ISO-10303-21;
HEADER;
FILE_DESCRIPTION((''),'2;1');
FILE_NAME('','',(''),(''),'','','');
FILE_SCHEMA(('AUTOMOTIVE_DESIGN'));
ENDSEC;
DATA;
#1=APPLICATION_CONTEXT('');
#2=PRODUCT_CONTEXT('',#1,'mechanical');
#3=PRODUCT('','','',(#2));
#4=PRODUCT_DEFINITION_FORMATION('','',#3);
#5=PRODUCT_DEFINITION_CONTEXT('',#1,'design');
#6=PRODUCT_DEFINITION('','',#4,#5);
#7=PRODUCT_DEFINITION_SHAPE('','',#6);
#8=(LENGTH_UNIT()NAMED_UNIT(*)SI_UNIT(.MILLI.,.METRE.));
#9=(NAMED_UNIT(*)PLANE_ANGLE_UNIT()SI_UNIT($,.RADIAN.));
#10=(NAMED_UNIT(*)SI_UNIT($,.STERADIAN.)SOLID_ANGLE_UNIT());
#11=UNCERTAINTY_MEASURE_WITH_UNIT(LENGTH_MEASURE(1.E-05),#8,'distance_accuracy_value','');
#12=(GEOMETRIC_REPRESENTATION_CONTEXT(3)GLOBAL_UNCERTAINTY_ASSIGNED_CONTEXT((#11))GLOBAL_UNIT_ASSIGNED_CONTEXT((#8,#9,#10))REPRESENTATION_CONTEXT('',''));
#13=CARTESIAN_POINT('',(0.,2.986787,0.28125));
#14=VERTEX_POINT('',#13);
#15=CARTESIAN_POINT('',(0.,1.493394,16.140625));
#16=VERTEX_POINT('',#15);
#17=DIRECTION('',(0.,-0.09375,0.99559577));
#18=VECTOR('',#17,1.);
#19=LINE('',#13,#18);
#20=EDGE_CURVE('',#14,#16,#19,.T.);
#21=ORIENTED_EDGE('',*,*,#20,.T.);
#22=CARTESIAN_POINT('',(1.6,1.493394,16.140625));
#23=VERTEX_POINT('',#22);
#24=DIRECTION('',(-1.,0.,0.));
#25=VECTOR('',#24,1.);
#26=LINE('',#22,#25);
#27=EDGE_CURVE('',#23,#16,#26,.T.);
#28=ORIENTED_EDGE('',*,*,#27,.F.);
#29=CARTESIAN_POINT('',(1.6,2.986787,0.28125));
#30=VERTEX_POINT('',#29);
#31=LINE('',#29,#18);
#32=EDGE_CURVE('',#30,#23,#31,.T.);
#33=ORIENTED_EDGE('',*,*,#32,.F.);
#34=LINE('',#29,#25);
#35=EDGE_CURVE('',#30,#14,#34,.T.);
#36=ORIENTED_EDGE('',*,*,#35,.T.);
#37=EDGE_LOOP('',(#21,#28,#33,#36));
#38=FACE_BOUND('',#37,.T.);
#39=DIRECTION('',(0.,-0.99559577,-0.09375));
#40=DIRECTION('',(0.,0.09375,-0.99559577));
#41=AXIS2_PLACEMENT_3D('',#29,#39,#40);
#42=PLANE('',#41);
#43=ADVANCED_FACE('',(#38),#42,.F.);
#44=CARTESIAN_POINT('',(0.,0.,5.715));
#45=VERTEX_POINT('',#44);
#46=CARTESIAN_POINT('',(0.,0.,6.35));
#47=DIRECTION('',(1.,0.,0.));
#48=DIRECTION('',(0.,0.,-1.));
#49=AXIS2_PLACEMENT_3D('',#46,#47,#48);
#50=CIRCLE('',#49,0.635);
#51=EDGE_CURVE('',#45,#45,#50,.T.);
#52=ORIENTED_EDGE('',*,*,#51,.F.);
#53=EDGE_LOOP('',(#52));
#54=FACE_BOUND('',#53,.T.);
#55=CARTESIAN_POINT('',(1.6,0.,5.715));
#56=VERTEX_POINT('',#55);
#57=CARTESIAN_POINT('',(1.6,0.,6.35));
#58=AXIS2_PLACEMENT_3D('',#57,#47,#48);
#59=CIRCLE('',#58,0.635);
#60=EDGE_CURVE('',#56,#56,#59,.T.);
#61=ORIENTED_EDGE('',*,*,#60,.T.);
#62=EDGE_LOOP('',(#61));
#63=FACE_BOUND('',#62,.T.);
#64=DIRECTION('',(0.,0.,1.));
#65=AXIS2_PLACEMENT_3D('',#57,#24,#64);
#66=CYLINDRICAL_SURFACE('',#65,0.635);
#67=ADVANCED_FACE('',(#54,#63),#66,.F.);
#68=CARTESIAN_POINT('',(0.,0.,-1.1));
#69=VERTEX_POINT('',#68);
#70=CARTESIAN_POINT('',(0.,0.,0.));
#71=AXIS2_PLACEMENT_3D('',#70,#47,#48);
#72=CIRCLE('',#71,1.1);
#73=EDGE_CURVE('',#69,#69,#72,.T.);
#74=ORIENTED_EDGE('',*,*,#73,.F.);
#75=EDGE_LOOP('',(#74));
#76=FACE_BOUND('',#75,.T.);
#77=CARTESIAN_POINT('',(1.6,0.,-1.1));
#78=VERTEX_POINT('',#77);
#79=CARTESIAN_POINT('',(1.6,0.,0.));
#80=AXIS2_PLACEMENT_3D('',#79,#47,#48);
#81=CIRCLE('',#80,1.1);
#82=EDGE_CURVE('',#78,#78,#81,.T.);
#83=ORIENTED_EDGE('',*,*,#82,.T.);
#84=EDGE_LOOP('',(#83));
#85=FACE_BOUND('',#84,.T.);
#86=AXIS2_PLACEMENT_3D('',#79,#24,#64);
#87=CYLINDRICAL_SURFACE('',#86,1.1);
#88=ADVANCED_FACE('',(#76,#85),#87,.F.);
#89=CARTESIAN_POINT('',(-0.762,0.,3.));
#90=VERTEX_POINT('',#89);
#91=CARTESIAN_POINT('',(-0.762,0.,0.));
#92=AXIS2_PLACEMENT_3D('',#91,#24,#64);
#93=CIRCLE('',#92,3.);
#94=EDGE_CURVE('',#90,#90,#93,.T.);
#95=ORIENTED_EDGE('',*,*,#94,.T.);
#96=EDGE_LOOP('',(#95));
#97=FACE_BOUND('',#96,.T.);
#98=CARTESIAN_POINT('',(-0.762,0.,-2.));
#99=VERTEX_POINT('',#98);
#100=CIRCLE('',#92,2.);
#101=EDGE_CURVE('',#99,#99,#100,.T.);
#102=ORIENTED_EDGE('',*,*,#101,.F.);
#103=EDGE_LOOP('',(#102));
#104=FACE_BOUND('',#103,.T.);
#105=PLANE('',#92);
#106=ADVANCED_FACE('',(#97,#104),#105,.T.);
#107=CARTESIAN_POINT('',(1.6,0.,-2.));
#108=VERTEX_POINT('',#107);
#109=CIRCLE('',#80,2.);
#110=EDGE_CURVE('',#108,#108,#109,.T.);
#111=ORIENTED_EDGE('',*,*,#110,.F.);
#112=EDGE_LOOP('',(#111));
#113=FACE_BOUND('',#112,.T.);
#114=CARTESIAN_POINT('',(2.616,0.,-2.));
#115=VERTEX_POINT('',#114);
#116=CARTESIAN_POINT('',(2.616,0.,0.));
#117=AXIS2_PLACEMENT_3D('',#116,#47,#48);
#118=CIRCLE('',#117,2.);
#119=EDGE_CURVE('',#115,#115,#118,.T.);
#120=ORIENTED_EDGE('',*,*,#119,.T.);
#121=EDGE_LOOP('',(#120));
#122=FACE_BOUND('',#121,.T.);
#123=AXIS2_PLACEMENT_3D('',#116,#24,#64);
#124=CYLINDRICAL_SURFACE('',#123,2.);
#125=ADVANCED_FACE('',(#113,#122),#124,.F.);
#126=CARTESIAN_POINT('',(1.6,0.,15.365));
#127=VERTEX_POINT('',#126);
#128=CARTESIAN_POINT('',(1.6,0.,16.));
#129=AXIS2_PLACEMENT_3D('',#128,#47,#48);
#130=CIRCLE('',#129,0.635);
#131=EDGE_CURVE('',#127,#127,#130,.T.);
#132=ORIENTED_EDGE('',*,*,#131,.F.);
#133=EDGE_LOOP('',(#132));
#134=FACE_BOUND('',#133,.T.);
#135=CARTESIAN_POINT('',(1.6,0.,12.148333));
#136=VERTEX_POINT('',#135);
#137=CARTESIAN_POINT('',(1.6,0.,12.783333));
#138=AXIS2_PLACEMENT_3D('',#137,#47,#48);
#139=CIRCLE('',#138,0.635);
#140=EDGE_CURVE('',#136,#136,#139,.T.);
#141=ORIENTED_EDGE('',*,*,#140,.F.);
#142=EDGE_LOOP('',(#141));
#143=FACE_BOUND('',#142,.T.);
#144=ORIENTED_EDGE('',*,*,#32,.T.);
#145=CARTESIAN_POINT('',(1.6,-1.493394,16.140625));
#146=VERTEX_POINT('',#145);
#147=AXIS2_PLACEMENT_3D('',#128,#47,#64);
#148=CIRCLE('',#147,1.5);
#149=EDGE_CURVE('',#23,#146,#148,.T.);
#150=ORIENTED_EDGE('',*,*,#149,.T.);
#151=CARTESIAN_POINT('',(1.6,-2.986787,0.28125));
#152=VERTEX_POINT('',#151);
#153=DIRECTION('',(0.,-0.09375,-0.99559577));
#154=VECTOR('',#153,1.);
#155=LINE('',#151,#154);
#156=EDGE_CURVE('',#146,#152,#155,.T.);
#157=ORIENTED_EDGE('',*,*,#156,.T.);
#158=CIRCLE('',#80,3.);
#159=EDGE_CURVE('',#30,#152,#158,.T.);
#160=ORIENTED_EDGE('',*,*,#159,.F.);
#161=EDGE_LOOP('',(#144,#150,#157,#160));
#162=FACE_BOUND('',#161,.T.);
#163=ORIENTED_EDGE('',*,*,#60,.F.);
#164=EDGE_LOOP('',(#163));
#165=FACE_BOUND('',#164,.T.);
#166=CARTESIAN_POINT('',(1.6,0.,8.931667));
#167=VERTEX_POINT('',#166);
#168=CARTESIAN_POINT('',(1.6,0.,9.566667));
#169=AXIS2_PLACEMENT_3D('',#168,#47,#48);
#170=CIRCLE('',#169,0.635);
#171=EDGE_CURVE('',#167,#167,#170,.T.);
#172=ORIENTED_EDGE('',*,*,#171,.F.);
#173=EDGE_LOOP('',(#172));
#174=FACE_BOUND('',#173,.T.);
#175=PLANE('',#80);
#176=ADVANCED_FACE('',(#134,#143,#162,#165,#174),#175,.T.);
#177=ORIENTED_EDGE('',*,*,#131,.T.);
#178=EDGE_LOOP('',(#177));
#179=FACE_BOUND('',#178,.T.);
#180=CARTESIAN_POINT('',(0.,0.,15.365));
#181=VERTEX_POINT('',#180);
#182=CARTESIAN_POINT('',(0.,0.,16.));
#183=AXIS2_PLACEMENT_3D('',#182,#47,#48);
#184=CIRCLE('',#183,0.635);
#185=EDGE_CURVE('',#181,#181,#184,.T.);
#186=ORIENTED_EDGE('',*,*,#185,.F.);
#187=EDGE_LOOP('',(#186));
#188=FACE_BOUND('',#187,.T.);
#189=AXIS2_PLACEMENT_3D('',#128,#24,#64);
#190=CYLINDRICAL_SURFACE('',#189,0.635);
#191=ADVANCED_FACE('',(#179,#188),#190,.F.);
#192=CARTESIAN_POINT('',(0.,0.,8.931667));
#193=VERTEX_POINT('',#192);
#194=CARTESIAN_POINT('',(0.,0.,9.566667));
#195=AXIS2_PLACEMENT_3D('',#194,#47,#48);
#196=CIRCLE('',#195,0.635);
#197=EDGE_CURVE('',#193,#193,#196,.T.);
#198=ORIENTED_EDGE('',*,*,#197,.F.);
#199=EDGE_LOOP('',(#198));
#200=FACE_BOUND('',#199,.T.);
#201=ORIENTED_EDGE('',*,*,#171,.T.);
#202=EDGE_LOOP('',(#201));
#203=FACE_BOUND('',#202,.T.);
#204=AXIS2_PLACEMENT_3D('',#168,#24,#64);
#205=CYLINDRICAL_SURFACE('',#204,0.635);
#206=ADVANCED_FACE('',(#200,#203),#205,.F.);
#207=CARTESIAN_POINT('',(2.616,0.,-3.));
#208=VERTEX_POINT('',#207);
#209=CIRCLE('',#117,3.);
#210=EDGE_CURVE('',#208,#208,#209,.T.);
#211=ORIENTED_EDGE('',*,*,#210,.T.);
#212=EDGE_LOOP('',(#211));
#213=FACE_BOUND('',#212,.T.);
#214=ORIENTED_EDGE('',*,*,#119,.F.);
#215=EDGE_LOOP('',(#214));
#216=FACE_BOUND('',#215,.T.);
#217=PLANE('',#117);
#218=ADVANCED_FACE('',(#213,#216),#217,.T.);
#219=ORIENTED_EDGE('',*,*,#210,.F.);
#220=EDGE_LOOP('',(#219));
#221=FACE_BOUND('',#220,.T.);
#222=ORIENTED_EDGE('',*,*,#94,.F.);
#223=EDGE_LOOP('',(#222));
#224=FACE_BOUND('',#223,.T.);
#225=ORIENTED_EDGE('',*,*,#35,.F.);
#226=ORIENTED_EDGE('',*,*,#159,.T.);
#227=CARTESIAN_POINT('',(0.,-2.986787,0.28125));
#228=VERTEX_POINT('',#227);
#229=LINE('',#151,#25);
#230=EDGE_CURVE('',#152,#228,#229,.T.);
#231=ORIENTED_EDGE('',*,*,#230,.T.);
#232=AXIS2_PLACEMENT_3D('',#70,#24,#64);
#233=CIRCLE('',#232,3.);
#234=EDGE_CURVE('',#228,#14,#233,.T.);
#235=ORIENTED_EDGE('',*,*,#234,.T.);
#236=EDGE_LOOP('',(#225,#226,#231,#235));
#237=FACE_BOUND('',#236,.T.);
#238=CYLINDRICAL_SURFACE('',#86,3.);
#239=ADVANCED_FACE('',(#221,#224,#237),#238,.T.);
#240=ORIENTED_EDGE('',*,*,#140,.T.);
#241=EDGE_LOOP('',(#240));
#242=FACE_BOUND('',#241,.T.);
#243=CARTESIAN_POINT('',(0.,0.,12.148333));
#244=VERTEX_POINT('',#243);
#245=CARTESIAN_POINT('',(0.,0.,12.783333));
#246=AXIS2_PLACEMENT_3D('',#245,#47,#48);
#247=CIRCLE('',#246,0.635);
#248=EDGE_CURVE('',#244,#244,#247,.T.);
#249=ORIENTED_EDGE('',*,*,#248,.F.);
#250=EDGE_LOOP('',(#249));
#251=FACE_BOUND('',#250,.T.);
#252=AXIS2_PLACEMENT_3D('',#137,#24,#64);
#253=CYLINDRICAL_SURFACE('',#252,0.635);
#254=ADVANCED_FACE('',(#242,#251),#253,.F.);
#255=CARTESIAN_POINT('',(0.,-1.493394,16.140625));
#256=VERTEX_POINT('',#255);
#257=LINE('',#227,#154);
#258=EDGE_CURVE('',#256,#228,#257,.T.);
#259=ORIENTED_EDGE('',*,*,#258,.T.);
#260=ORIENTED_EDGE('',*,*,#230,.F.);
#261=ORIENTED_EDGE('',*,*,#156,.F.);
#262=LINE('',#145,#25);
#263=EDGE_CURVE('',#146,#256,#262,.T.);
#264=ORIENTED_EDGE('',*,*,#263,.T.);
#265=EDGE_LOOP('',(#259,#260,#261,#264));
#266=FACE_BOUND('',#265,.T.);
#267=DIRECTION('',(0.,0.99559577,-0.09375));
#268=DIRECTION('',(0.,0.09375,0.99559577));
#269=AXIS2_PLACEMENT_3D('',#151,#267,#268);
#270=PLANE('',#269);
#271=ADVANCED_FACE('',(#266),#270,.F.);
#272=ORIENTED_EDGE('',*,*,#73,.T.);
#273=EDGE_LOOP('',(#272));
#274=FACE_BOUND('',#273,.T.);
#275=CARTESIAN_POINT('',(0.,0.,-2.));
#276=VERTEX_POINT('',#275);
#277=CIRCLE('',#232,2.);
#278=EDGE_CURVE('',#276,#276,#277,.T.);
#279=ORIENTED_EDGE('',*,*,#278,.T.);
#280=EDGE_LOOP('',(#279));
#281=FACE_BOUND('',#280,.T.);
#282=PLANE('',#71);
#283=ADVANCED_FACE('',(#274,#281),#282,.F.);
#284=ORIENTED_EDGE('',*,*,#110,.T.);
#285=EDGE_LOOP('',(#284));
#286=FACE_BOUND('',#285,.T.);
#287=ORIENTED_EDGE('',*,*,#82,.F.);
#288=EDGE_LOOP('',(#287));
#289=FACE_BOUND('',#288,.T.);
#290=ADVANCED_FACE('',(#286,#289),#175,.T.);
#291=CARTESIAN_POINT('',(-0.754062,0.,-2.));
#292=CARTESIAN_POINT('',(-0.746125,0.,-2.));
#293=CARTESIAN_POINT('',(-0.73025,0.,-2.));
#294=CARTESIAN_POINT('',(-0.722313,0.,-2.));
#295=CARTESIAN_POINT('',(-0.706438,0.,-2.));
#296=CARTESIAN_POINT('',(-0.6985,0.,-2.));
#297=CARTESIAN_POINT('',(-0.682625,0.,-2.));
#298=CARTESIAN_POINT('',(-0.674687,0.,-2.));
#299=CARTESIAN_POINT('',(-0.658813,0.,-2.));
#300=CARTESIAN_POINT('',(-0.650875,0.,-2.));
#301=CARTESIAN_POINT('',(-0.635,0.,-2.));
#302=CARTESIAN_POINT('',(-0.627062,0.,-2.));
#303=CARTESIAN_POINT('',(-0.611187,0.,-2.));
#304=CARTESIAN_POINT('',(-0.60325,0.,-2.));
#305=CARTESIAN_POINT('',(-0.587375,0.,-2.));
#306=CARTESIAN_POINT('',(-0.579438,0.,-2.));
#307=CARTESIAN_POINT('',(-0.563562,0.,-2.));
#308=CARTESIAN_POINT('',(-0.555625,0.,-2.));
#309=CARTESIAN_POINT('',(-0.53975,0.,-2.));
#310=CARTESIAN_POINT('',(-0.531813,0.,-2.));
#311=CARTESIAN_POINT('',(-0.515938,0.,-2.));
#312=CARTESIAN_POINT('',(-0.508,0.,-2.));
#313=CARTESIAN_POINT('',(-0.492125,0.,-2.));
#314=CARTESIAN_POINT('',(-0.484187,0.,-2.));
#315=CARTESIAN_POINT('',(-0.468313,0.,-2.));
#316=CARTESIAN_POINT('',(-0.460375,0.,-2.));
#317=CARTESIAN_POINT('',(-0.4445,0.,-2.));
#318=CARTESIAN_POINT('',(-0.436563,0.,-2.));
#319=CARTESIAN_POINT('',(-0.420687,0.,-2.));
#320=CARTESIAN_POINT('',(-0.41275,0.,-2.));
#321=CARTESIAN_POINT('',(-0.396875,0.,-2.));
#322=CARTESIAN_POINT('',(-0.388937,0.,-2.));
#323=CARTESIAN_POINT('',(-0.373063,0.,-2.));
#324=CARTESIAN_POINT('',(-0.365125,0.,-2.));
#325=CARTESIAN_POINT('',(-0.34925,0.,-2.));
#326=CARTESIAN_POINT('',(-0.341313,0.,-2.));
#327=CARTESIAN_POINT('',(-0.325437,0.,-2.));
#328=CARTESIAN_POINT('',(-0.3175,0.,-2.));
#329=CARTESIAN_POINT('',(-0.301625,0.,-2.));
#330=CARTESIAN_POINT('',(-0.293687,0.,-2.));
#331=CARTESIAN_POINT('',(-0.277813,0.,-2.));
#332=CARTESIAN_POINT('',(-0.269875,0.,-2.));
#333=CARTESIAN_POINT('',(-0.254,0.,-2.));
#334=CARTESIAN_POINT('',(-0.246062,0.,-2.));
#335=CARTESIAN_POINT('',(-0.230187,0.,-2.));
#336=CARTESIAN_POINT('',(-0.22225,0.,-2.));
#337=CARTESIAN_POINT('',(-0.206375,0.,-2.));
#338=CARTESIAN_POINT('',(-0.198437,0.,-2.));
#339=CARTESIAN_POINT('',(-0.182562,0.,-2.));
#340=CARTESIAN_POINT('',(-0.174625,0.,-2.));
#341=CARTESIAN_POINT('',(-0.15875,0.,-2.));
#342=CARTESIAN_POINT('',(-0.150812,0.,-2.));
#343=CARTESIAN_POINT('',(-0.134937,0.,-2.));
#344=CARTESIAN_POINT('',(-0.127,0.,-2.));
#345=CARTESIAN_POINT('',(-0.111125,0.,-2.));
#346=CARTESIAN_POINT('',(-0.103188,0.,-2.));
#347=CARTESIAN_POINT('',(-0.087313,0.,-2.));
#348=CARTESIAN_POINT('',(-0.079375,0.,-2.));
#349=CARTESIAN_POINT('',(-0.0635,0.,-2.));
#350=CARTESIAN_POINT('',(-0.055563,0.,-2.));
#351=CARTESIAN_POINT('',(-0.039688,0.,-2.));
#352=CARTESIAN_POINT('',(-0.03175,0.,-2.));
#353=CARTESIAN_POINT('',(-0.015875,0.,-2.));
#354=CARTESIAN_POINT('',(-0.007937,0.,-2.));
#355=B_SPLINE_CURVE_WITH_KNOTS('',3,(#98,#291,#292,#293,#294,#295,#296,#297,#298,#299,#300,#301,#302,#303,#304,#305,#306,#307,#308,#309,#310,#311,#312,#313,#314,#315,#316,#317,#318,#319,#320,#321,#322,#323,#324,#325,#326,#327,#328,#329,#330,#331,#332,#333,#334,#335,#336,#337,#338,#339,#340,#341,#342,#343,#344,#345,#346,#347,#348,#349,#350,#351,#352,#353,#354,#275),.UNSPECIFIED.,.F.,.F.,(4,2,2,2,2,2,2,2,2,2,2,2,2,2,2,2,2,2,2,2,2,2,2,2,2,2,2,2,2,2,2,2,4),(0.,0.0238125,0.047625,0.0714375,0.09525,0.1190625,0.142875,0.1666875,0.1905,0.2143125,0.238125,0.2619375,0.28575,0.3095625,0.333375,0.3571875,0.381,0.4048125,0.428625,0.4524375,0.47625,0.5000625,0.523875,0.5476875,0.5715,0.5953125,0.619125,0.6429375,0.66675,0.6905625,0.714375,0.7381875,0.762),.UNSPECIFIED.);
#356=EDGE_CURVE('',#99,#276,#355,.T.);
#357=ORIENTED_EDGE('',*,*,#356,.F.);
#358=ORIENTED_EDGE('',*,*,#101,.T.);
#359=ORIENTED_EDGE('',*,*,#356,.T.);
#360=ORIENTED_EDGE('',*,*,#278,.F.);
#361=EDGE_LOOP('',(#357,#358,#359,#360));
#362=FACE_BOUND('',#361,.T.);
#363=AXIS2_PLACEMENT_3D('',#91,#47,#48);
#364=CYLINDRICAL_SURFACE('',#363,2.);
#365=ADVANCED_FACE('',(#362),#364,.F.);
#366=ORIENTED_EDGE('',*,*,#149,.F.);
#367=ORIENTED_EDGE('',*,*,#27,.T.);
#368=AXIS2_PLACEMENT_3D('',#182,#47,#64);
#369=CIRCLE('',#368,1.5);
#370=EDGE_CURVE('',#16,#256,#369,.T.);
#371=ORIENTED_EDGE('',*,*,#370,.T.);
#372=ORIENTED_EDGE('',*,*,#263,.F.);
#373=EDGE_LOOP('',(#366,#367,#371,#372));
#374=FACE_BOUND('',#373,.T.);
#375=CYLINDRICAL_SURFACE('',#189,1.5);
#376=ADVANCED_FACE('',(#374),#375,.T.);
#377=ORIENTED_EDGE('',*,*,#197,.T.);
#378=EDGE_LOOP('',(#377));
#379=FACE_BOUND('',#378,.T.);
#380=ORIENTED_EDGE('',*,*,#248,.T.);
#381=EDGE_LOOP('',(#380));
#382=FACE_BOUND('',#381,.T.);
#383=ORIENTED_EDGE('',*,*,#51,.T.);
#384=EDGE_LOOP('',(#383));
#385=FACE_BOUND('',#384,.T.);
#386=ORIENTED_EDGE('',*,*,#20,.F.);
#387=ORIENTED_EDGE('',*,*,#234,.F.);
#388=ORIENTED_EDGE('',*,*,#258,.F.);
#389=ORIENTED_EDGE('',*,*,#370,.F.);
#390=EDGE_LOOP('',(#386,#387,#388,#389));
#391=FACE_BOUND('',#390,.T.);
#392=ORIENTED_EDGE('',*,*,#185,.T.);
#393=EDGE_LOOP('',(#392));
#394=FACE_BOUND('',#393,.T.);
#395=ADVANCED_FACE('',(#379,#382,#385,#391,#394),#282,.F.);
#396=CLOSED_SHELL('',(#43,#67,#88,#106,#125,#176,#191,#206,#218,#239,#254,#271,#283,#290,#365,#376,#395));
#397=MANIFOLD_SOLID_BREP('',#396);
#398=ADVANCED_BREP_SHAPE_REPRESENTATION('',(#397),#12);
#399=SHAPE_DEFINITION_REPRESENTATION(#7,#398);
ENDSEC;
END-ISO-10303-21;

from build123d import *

# Parameters (mm, degrees)
SKETCH1_R           = 1.1
SKETCH1_R_2         = 0.635
BOSS_EXTRUDE1_DEPTH = 1.6
SKETCH2_R           = 3
SKETCH2_R_2         = 2
BOSS_EXTRUDE2_DEPTH = 1.016
BOSS_EXTRUDE3_START = 0.762
SKETCH3_R           = 3
SKETCH3_R_2         = 2
BOSS_EXTRUDE3_DEPTH = 0.762


with BuildPart() as part:
    # Sketch1 → Boss-Extrude1 (new body)
    with BuildSketch(Plane.YZ):
        with BuildLine():
            Line((-2.98678731, 0.28125), (-1.493393655, 16.140625))
            ThreePointArc((-1.493393655, 16.140625), (0, 17.5), (1.493393655, 16.140625))
            Line((1.493393655, 16.140625), (2.98678731, 0.28125))
            ThreePointArc((2.98678731, 0.28125), (0, -3), (-2.98678731, 0.28125))
        make_face()
        with Locations(Location((0, 0, 0), (0, 0, 270))):
            Circle(SKETCH1_R, mode=Mode.SUBTRACT)
        with Locations(Location((0, 16, 0), (0, 0, 270))):
            Circle(SKETCH1_R_2, mode=Mode.SUBTRACT)
        with Locations(Location((0, 12.783333333, 0), (0, 0, 270))):
            Circle(SKETCH1_R_2, mode=Mode.SUBTRACT)
        with Locations(Location((0, 9.566666667, 0), (0, 0, 270))):
            Circle(SKETCH1_R_2, mode=Mode.SUBTRACT)
        with Locations(Location((0, 6.35, 0), (0, 0, 270))):
            Circle(SKETCH1_R_2, mode=Mode.SUBTRACT)
    extrude(amount=BOSS_EXTRUDE1_DEPTH)

    # Sketch2 → Boss-Extrude2 (add)
    with BuildSketch(Plane.YZ.offset(1.6)):
        with Locations(Location((0, 0, 0), (0, 0, 5.379378991))):
            Circle(SKETCH2_R)
        with Locations(Location((0, 0, 0), (0, 0, 270))):
            Circle(SKETCH2_R_2, mode=Mode.SUBTRACT)
    extrude(amount=BOSS_EXTRUDE2_DEPTH)

    # Sketch3 → Boss-Extrude3 (add)
    with BuildSketch(Plane(origin=(0, 0, 0), x_dir=(0, -1, 0), z_dir=(-1, 0, 0)).offset(BOSS_EXTRUDE3_START)):
        with Locations(Location((0, 0, 0), (0, 0, 90))):
            Circle(SKETCH3_R)
        with Locations(Location((0, 0, 0), (0, 0, 270))):
            Circle(SKETCH3_R_2, mode=Mode.SUBTRACT)
    extrude(amount=-BOSS_EXTRUDE3_DEPTH)


solid = part.part
